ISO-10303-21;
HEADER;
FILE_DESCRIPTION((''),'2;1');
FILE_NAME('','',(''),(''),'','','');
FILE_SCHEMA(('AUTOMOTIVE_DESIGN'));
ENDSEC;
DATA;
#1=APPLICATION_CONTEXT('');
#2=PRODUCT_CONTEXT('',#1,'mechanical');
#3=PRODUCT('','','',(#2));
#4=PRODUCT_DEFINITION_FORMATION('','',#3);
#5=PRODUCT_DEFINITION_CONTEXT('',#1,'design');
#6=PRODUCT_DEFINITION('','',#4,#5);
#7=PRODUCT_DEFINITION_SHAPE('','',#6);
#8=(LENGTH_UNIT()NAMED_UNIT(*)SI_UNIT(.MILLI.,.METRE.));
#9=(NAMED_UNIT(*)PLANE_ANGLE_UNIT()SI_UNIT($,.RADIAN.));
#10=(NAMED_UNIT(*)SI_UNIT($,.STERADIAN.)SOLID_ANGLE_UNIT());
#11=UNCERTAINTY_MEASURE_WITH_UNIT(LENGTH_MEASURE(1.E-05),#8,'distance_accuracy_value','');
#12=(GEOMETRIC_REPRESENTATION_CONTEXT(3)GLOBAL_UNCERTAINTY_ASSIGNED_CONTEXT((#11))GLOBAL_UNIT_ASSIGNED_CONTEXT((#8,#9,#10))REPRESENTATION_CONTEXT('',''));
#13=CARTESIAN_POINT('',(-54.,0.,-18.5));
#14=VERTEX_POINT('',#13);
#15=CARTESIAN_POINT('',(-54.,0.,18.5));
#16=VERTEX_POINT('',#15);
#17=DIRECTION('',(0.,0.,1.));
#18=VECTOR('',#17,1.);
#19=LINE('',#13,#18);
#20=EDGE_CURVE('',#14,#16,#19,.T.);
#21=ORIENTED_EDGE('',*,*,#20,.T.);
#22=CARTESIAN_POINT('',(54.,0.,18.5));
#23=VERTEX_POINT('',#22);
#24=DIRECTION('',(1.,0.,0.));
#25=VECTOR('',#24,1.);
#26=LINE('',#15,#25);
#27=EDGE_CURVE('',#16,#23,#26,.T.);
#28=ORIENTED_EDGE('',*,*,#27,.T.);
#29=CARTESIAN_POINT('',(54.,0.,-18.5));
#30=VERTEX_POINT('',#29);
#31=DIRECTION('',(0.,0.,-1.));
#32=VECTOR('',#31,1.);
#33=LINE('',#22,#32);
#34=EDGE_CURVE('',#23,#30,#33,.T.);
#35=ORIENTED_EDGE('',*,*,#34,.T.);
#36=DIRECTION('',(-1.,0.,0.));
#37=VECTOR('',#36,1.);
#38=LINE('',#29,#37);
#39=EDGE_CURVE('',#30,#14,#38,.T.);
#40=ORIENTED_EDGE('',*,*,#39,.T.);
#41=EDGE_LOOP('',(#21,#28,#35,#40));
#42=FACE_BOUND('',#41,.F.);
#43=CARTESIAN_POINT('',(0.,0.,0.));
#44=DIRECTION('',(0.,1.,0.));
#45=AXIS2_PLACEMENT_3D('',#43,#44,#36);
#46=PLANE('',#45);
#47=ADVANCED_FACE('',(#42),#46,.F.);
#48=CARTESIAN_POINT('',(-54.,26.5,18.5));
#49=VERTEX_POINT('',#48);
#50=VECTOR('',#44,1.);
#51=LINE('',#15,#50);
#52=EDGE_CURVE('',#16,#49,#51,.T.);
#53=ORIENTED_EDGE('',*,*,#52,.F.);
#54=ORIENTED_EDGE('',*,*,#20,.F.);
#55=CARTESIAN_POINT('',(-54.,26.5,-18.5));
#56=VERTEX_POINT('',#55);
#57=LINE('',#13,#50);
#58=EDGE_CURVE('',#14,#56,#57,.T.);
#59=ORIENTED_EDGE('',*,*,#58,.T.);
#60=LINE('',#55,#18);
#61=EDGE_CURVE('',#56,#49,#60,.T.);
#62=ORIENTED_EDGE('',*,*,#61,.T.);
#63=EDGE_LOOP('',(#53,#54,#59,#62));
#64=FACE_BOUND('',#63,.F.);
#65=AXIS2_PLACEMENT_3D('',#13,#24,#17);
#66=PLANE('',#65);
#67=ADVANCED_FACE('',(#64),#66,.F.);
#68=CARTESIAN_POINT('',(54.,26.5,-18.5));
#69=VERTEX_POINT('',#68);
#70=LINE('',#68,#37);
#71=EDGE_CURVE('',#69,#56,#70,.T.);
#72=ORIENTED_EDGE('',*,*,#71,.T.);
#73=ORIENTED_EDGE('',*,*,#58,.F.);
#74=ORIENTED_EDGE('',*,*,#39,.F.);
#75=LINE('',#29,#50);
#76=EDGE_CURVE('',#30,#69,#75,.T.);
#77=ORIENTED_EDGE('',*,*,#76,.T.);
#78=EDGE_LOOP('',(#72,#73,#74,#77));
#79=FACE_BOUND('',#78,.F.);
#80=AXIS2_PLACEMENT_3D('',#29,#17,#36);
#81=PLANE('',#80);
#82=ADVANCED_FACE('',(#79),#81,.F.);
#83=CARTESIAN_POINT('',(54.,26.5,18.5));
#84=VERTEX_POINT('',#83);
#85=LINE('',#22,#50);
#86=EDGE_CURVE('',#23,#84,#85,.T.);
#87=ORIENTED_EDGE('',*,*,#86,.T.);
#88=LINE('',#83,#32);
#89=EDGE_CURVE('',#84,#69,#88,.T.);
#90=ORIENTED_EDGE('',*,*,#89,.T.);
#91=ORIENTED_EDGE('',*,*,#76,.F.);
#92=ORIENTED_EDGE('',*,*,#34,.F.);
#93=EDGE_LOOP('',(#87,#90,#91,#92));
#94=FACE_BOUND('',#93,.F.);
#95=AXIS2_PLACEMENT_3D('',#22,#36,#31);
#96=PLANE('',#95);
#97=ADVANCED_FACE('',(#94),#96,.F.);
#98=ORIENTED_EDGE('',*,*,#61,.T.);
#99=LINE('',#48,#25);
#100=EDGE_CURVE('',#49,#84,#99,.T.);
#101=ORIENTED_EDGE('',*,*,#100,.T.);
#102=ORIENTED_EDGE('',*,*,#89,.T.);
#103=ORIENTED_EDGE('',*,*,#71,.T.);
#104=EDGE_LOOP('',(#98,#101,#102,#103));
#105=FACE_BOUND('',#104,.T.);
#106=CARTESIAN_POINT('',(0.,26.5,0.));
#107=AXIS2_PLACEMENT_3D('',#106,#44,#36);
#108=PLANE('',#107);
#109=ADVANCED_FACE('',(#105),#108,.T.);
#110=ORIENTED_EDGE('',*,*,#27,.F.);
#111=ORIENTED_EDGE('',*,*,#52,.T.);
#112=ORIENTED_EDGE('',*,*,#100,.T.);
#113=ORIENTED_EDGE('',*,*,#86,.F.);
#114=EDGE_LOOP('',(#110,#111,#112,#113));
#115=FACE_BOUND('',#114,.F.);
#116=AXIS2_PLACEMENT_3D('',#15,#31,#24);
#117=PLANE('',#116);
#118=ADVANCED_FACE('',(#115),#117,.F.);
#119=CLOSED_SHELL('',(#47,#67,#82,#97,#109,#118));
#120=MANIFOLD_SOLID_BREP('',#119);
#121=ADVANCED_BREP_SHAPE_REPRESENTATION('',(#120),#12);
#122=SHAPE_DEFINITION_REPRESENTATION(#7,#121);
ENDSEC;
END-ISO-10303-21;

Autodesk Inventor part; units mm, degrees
ref_plane "YZ Plane" through (0, 0, 0) normal (1, 0, 0) x (0, 1, 0)
ref_plane "XZ Plane" through (0, 0, 0) normal (0, 1, 0) x (-1, 0, 0)
ref_plane "XY Plane" through (0, 0, 0) normal (0, 0, 1) x (1, 0, 0)
sketch "Sketch1" plane through (0, 0, 0) normal (0, 1, 0) x (-1, 0, 0)
  line L0 (-54, -18.5) -> (54, -18.5)
  line L1 (54, -18.5) -> (54, 18.5)
  line L2 (54, 18.5) -> (-54, 18.5)
  line L3 (-54, 18.5) -> (-54, -18.5)
  line L4 (-54, -18.5) -> (54, 18.5) construction
  line L5 (54, -18.5) -> (-54, 18.5) construction
  point P0 (0, 0)
  dimension "d0" = 108
  dimension "d1" = 37
extrude "Extrusion1" add sketch "Sketch1" along normal blind 26.5
properties part number "Battery for Water Sensor"
